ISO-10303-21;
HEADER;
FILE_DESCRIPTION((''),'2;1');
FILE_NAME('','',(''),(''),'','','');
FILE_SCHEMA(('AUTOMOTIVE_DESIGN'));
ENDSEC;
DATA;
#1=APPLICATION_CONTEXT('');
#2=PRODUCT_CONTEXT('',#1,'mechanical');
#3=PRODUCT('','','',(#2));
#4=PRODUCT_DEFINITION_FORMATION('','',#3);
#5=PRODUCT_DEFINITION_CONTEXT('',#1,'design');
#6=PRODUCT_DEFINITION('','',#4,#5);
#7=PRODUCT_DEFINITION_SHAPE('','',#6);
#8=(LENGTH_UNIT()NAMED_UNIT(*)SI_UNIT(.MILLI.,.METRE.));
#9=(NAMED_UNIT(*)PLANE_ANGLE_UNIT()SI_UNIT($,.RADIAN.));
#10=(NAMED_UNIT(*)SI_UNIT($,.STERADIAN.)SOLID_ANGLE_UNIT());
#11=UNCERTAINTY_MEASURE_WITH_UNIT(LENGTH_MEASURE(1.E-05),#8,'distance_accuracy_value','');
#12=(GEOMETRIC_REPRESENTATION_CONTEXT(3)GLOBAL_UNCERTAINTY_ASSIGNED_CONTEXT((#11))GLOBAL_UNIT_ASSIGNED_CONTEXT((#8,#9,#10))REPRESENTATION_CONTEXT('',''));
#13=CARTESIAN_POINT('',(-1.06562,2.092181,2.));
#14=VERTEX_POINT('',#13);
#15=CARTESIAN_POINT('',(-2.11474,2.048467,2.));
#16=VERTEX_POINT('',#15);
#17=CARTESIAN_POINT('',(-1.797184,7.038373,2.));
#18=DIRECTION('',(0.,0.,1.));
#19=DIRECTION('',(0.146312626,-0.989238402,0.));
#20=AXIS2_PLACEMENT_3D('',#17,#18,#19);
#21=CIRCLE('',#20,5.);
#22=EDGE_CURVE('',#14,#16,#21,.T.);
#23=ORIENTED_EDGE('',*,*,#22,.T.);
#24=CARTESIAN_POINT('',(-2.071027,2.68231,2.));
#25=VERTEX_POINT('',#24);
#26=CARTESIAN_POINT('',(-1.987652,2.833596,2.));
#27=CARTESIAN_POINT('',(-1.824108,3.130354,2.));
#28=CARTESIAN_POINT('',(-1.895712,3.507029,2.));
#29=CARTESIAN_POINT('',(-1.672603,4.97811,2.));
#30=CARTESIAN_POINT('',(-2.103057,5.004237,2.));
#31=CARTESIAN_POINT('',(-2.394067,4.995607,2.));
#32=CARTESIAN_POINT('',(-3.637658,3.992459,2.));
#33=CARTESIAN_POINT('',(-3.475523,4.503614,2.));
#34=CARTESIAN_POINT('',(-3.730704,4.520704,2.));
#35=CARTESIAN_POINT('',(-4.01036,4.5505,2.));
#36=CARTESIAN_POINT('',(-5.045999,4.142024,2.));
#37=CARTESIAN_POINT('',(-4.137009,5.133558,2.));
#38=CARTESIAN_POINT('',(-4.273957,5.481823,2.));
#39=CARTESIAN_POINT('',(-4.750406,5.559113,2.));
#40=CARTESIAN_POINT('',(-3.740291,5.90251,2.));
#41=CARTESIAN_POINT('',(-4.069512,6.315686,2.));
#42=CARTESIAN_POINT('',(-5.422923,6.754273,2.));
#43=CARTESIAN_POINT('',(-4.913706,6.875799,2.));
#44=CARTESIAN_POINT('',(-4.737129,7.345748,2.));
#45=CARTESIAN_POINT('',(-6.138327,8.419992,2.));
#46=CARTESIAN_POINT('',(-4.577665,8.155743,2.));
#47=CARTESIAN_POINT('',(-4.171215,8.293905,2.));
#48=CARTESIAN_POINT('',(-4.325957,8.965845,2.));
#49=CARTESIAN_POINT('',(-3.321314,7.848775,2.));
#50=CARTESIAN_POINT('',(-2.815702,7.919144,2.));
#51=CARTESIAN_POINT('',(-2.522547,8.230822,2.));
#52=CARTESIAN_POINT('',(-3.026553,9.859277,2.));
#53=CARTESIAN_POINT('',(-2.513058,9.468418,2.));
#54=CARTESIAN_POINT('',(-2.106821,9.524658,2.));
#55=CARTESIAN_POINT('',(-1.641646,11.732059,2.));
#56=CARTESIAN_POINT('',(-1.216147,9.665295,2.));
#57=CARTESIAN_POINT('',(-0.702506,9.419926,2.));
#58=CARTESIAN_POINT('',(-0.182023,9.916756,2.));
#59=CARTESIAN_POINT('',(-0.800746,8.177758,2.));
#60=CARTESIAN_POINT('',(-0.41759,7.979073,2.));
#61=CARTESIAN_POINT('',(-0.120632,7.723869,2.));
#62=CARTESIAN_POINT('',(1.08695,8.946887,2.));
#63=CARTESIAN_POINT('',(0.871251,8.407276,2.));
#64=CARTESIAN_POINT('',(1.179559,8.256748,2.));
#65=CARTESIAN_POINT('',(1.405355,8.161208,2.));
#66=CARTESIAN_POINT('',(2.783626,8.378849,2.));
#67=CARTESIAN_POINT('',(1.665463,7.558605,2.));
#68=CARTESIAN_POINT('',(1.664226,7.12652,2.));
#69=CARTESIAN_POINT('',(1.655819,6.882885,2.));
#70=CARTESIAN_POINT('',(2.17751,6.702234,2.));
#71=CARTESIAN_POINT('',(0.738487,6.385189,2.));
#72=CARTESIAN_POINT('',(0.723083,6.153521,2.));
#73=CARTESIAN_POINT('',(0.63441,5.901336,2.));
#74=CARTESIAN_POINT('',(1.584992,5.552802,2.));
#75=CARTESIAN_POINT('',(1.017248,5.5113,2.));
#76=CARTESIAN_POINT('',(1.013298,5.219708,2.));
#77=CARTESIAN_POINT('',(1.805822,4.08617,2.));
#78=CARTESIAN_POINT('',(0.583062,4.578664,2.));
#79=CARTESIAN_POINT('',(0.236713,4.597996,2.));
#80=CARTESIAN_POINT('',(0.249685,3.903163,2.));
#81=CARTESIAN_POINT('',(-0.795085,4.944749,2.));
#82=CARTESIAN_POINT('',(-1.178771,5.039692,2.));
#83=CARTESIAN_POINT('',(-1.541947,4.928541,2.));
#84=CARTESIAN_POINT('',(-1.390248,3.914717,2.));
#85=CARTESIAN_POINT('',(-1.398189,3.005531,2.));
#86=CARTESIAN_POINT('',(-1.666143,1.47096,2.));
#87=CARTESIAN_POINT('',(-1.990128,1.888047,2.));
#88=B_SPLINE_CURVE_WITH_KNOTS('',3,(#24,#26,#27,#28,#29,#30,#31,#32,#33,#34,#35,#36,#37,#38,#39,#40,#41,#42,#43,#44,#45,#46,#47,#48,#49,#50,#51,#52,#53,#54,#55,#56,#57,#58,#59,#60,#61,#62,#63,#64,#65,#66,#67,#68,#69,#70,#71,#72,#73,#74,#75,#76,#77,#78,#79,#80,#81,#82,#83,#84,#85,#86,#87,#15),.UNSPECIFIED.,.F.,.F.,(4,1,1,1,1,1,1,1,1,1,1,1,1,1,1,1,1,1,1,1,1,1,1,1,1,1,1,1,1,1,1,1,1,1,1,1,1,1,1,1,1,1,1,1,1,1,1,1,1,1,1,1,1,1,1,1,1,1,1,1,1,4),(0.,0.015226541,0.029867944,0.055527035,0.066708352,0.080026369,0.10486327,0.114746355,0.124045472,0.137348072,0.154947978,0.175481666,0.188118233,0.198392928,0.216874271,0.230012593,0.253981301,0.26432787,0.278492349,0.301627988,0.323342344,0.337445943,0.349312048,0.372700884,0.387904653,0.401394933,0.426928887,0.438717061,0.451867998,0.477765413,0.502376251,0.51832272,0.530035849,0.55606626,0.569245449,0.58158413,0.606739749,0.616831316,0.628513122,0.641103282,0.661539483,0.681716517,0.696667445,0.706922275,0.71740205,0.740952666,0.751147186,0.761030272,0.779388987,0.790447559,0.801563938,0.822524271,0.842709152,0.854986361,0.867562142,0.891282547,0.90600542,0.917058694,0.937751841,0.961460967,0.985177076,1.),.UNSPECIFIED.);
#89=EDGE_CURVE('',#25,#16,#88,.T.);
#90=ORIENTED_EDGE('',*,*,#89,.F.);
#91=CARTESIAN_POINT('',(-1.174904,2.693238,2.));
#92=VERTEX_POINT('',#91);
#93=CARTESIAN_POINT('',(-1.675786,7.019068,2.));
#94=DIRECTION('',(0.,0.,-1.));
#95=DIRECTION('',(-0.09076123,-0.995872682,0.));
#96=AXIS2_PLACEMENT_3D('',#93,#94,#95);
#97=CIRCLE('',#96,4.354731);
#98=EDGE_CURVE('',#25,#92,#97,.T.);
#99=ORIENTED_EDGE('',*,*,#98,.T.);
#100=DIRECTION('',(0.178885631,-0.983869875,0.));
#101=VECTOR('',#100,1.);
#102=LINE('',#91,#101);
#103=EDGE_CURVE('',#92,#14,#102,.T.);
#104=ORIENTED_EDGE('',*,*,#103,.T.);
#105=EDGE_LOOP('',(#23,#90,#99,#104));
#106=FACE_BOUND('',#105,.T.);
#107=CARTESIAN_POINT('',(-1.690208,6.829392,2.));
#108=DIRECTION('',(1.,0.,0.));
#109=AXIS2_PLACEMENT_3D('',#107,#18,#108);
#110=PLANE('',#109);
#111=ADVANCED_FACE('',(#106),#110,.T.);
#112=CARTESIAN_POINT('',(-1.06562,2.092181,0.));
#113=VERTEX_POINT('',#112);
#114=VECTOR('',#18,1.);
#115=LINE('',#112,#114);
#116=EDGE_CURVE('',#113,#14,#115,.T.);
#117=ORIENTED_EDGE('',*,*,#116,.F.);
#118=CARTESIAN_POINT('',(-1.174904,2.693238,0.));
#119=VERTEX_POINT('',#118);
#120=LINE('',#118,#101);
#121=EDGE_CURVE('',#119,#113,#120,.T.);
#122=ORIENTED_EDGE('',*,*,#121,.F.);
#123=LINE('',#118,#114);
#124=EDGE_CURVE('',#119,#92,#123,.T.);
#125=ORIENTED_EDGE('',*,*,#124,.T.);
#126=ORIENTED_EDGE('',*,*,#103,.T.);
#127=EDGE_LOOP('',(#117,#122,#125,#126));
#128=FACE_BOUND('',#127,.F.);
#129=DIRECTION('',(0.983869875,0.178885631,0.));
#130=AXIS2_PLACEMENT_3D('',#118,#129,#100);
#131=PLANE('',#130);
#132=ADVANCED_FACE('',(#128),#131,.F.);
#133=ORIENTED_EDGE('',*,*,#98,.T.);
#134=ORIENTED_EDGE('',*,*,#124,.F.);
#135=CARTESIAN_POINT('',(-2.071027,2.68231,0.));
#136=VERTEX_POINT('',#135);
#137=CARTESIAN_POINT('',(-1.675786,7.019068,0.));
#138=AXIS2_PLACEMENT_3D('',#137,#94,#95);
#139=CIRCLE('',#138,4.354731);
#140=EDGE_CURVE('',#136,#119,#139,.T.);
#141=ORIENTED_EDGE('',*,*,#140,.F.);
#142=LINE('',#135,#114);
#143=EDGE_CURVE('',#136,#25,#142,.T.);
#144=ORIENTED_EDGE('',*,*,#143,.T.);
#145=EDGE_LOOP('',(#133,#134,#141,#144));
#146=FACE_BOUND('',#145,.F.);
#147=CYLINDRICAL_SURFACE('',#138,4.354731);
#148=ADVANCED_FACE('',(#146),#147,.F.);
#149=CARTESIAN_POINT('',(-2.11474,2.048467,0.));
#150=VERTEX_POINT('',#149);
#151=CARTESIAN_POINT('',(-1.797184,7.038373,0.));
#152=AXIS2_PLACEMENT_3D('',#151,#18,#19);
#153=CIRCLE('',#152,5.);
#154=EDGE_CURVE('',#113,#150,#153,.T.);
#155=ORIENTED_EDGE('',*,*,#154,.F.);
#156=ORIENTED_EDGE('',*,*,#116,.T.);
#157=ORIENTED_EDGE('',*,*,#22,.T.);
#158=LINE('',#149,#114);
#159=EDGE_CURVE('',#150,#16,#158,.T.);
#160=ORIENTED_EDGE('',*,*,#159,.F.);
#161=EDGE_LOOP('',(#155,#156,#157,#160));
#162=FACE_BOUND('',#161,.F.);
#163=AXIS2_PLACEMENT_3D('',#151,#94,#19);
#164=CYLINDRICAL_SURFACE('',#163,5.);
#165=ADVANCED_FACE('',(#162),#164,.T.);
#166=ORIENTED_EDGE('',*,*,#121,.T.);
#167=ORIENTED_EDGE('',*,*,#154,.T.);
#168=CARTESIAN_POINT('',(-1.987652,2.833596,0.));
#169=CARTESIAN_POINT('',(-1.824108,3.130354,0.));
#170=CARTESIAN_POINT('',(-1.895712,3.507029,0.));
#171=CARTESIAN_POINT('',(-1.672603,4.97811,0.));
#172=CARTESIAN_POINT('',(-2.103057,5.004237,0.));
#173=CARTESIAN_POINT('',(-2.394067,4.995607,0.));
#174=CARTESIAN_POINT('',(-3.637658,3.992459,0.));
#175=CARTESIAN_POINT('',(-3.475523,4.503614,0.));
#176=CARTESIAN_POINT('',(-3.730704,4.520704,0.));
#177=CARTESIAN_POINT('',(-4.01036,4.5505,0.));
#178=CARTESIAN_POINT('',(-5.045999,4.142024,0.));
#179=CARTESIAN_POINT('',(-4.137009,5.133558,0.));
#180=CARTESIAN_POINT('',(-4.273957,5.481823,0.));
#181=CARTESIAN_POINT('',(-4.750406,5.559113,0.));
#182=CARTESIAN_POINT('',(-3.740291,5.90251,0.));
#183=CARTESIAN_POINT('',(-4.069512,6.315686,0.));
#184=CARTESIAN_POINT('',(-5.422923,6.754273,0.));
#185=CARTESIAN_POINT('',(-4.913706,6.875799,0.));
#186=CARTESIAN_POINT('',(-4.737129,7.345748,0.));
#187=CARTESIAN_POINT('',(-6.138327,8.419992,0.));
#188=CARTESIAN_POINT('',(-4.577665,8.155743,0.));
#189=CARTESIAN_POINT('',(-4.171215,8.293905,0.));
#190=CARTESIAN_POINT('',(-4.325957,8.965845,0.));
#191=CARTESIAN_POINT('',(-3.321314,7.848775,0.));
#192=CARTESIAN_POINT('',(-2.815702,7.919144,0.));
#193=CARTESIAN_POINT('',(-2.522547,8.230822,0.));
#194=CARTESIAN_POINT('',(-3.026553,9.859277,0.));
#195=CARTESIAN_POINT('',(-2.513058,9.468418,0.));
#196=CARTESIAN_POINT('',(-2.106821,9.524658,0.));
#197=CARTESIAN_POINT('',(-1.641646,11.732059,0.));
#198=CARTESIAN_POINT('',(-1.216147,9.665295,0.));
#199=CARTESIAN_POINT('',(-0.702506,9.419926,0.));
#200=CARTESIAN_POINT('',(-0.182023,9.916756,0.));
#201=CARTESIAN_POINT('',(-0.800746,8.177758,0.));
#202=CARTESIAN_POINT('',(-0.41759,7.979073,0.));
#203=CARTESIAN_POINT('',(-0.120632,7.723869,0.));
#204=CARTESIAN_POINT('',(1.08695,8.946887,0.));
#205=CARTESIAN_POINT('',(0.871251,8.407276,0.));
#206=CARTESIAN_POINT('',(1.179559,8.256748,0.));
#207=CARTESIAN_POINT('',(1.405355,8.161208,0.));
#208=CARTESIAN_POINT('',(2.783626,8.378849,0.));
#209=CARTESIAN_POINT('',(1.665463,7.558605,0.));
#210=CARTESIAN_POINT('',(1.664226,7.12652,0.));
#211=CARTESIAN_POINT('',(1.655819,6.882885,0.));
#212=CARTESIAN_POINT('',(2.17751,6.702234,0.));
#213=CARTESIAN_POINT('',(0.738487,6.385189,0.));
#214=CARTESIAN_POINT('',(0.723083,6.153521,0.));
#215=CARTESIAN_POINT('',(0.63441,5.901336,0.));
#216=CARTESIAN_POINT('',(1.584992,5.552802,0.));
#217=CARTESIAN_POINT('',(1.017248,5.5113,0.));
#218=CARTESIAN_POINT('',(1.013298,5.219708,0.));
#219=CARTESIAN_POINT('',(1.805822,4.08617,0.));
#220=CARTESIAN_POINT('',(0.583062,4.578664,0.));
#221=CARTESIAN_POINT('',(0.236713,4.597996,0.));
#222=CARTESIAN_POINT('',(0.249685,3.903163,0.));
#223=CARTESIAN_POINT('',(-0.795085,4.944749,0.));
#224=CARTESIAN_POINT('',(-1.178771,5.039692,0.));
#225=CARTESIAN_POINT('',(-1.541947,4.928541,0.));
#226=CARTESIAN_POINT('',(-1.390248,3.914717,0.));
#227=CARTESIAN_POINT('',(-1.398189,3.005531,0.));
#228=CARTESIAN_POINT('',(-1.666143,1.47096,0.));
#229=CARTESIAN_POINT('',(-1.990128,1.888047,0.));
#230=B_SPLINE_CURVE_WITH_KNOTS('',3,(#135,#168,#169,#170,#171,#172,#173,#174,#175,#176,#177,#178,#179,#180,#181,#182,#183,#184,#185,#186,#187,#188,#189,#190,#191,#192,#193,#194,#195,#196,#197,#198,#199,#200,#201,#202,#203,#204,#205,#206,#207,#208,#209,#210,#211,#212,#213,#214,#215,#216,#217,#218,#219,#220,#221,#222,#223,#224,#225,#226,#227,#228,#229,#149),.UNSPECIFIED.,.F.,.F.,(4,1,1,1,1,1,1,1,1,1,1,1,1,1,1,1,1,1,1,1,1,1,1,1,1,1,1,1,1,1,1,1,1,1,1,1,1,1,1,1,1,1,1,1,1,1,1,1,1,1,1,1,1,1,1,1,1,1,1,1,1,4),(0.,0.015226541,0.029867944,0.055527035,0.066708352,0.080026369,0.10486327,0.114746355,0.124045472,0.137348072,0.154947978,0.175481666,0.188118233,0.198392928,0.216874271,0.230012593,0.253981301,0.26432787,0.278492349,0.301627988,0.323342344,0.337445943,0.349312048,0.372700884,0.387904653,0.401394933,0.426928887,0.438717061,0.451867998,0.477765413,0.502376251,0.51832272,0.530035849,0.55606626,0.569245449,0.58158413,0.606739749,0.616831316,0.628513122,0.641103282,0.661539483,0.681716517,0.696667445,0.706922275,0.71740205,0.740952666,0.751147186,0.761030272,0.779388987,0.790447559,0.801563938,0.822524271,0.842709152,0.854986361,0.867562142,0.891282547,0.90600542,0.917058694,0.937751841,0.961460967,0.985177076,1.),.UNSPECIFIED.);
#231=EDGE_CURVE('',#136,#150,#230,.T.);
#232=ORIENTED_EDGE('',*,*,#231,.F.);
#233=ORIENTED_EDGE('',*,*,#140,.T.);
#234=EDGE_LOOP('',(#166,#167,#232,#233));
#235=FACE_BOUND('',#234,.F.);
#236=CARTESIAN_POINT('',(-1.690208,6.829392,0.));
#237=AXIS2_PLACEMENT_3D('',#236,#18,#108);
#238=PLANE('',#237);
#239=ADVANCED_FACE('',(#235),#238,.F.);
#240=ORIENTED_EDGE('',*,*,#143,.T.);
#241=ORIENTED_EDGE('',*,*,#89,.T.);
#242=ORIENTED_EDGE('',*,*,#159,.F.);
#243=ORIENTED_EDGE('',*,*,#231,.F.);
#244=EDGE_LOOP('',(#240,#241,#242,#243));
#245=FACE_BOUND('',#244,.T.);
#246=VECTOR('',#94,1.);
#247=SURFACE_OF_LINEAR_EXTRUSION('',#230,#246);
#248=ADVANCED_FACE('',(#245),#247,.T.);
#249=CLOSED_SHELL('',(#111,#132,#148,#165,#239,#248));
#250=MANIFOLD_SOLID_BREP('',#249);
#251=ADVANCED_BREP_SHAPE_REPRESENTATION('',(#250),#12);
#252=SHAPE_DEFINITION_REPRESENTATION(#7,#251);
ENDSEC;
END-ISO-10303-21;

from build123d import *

# Parameters (mm, degrees)
F1_DEPTH = 2


with BuildPart() as f1:
    # F0 (on Top) → F1 (new body)
    with BuildSketch(Plane.XY):
        with BuildLine():
            ThreePointArc((-2.0710265816, 2.6823100121), (-1.7288883618, 11.3734751785), (-1.1749037427, 2.6932383412))
            Line((-1.1749037427, 2.6932383412), (-1.0656203819, 2.0921805272))
            ThreePointArc((-1.0656203819, 2.0921805272), (-2.0053376017, 12.0340378442), (-2.1147398624, 2.0484669287))
            add(Edge.make_bspline(
                [(-2.0710265816, 2.6823100121), (-1.9876524167, 2.8335958794), (-1.8241080541, 3.1303538832), (-1.8957124769, 3.5070288526), (-1.6726027947, 4.9781098862), (-2.1030570697, 5.0042367323), (-2.3940668436, 4.995607217), (-3.6376583011, 3.9924591215), (-3.4755228018, 4.503613536), (-3.7307035997, 4.520703835), (-4.0103603584, 4.5504998944), (-5.045999289, 4.1420242131), (-4.1370088572, 5.1335576663), (-4.2739569611, 5.4818234956), (-4.7504058374, 5.5591125623), (-3.740291006, 5.9025099596), (-4.0695116491, 6.3156863144), (-5.4229231159, 6.7542731494), (-4.9137056623, 6.8757994414), (-4.737128794, 7.3457479236), (-6.1383271794, 8.4199920051), (-4.5776649723, 8.1557430809), (-4.1712152894, 8.2939048847), (-4.32595735, 8.9658453998), (-3.3213139877, 7.848775435), (-2.8157020491, 7.9191440569), (-2.5225471589, 8.2308217663), (-3.0265528179, 9.8592768069), (-2.5130581616, 9.4684178502), (-2.1068207996, 9.5246578839), (-1.6416460865, 11.7320589826), (-1.2161465402, 9.6652952064), (-0.7025061371, 9.419925888), (-0.1820228798, 9.9167561293), (-0.8007459489, 8.1777582887), (-0.4175901247, 7.9790730765), (-0.1206316887, 7.7238690193), (1.0869498104, 8.9468872202), (0.8712507838, 8.4072758798), (1.1795585198, 8.2567477575), (1.4053547405, 8.1612081825), (2.7836258575, 8.3788492706), (1.6654632847, 7.558604549), (1.6642264239, 7.1265202873), (1.6558192513, 6.882884837), (2.1775095973, 6.7022342237), (0.7384871608, 6.3851888378), (0.7230825363, 6.1535212847), (0.6344104954, 5.9013358838), (1.5849922776, 5.5528020767), (1.0172481231, 5.5112997387), (1.0132978258, 5.2197084853), (1.8058215277, 4.08616964), (0.5830615022, 4.5786635664), (0.2367134621, 4.5979958901), (0.2496851904, 3.9031627887), (-0.7950848519, 4.9447489503), (-1.1787707444, 5.0396923042), (-1.5419472573, 4.9285405579), (-1.3902475639, 3.9147172383), (-1.3981888002, 3.0055307612), (-1.6661433778, 1.4709598696), (-1.9901283995, 1.8880465911), (-2.1147398624, 2.0484669287)],
                knots=[0, 0, 0, 0, 0.0152265409, 0.0298679444, 0.0555270348, 0.0667083517, 0.0800263693, 0.1048632697, 0.1147463554, 0.124045472, 0.1373480723, 0.1549479777, 0.1754816663, 0.1881182333, 0.198392928, 0.216874271, 0.2300125931, 0.2539813012, 0.26432787, 0.2784923487, 0.3016279882, 0.3233423443, 0.3374459428, 0.3493120475, 0.3727008839, 0.3879046525, 0.4013949332, 0.4269288868, 0.4387170609, 0.4518679977, 0.4777654129, 0.5023762507, 0.5183227197, 0.5300358489, 0.5560662598, 0.569245449, 0.5815841304, 0.6067397493, 0.6168313159, 0.6285131223, 0.6411032821, 0.661539483, 0.6817165169, 0.6966674454, 0.7069222747, 0.7174020497, 0.7409526655, 0.751147186, 0.7610302721, 0.7793889875, 0.7904475585, 0.8015639378, 0.8225242706, 0.8427091517, 0.8549863611, 0.8675621424, 0.8912825469, 0.9060054202, 0.9170586944, 0.9377518414, 0.9614609669, 0.9851770762, 1, 1, 1, 1], degree=3))
        make_face()
    extrude(amount=F1_DEPTH)


solid = f1.part
